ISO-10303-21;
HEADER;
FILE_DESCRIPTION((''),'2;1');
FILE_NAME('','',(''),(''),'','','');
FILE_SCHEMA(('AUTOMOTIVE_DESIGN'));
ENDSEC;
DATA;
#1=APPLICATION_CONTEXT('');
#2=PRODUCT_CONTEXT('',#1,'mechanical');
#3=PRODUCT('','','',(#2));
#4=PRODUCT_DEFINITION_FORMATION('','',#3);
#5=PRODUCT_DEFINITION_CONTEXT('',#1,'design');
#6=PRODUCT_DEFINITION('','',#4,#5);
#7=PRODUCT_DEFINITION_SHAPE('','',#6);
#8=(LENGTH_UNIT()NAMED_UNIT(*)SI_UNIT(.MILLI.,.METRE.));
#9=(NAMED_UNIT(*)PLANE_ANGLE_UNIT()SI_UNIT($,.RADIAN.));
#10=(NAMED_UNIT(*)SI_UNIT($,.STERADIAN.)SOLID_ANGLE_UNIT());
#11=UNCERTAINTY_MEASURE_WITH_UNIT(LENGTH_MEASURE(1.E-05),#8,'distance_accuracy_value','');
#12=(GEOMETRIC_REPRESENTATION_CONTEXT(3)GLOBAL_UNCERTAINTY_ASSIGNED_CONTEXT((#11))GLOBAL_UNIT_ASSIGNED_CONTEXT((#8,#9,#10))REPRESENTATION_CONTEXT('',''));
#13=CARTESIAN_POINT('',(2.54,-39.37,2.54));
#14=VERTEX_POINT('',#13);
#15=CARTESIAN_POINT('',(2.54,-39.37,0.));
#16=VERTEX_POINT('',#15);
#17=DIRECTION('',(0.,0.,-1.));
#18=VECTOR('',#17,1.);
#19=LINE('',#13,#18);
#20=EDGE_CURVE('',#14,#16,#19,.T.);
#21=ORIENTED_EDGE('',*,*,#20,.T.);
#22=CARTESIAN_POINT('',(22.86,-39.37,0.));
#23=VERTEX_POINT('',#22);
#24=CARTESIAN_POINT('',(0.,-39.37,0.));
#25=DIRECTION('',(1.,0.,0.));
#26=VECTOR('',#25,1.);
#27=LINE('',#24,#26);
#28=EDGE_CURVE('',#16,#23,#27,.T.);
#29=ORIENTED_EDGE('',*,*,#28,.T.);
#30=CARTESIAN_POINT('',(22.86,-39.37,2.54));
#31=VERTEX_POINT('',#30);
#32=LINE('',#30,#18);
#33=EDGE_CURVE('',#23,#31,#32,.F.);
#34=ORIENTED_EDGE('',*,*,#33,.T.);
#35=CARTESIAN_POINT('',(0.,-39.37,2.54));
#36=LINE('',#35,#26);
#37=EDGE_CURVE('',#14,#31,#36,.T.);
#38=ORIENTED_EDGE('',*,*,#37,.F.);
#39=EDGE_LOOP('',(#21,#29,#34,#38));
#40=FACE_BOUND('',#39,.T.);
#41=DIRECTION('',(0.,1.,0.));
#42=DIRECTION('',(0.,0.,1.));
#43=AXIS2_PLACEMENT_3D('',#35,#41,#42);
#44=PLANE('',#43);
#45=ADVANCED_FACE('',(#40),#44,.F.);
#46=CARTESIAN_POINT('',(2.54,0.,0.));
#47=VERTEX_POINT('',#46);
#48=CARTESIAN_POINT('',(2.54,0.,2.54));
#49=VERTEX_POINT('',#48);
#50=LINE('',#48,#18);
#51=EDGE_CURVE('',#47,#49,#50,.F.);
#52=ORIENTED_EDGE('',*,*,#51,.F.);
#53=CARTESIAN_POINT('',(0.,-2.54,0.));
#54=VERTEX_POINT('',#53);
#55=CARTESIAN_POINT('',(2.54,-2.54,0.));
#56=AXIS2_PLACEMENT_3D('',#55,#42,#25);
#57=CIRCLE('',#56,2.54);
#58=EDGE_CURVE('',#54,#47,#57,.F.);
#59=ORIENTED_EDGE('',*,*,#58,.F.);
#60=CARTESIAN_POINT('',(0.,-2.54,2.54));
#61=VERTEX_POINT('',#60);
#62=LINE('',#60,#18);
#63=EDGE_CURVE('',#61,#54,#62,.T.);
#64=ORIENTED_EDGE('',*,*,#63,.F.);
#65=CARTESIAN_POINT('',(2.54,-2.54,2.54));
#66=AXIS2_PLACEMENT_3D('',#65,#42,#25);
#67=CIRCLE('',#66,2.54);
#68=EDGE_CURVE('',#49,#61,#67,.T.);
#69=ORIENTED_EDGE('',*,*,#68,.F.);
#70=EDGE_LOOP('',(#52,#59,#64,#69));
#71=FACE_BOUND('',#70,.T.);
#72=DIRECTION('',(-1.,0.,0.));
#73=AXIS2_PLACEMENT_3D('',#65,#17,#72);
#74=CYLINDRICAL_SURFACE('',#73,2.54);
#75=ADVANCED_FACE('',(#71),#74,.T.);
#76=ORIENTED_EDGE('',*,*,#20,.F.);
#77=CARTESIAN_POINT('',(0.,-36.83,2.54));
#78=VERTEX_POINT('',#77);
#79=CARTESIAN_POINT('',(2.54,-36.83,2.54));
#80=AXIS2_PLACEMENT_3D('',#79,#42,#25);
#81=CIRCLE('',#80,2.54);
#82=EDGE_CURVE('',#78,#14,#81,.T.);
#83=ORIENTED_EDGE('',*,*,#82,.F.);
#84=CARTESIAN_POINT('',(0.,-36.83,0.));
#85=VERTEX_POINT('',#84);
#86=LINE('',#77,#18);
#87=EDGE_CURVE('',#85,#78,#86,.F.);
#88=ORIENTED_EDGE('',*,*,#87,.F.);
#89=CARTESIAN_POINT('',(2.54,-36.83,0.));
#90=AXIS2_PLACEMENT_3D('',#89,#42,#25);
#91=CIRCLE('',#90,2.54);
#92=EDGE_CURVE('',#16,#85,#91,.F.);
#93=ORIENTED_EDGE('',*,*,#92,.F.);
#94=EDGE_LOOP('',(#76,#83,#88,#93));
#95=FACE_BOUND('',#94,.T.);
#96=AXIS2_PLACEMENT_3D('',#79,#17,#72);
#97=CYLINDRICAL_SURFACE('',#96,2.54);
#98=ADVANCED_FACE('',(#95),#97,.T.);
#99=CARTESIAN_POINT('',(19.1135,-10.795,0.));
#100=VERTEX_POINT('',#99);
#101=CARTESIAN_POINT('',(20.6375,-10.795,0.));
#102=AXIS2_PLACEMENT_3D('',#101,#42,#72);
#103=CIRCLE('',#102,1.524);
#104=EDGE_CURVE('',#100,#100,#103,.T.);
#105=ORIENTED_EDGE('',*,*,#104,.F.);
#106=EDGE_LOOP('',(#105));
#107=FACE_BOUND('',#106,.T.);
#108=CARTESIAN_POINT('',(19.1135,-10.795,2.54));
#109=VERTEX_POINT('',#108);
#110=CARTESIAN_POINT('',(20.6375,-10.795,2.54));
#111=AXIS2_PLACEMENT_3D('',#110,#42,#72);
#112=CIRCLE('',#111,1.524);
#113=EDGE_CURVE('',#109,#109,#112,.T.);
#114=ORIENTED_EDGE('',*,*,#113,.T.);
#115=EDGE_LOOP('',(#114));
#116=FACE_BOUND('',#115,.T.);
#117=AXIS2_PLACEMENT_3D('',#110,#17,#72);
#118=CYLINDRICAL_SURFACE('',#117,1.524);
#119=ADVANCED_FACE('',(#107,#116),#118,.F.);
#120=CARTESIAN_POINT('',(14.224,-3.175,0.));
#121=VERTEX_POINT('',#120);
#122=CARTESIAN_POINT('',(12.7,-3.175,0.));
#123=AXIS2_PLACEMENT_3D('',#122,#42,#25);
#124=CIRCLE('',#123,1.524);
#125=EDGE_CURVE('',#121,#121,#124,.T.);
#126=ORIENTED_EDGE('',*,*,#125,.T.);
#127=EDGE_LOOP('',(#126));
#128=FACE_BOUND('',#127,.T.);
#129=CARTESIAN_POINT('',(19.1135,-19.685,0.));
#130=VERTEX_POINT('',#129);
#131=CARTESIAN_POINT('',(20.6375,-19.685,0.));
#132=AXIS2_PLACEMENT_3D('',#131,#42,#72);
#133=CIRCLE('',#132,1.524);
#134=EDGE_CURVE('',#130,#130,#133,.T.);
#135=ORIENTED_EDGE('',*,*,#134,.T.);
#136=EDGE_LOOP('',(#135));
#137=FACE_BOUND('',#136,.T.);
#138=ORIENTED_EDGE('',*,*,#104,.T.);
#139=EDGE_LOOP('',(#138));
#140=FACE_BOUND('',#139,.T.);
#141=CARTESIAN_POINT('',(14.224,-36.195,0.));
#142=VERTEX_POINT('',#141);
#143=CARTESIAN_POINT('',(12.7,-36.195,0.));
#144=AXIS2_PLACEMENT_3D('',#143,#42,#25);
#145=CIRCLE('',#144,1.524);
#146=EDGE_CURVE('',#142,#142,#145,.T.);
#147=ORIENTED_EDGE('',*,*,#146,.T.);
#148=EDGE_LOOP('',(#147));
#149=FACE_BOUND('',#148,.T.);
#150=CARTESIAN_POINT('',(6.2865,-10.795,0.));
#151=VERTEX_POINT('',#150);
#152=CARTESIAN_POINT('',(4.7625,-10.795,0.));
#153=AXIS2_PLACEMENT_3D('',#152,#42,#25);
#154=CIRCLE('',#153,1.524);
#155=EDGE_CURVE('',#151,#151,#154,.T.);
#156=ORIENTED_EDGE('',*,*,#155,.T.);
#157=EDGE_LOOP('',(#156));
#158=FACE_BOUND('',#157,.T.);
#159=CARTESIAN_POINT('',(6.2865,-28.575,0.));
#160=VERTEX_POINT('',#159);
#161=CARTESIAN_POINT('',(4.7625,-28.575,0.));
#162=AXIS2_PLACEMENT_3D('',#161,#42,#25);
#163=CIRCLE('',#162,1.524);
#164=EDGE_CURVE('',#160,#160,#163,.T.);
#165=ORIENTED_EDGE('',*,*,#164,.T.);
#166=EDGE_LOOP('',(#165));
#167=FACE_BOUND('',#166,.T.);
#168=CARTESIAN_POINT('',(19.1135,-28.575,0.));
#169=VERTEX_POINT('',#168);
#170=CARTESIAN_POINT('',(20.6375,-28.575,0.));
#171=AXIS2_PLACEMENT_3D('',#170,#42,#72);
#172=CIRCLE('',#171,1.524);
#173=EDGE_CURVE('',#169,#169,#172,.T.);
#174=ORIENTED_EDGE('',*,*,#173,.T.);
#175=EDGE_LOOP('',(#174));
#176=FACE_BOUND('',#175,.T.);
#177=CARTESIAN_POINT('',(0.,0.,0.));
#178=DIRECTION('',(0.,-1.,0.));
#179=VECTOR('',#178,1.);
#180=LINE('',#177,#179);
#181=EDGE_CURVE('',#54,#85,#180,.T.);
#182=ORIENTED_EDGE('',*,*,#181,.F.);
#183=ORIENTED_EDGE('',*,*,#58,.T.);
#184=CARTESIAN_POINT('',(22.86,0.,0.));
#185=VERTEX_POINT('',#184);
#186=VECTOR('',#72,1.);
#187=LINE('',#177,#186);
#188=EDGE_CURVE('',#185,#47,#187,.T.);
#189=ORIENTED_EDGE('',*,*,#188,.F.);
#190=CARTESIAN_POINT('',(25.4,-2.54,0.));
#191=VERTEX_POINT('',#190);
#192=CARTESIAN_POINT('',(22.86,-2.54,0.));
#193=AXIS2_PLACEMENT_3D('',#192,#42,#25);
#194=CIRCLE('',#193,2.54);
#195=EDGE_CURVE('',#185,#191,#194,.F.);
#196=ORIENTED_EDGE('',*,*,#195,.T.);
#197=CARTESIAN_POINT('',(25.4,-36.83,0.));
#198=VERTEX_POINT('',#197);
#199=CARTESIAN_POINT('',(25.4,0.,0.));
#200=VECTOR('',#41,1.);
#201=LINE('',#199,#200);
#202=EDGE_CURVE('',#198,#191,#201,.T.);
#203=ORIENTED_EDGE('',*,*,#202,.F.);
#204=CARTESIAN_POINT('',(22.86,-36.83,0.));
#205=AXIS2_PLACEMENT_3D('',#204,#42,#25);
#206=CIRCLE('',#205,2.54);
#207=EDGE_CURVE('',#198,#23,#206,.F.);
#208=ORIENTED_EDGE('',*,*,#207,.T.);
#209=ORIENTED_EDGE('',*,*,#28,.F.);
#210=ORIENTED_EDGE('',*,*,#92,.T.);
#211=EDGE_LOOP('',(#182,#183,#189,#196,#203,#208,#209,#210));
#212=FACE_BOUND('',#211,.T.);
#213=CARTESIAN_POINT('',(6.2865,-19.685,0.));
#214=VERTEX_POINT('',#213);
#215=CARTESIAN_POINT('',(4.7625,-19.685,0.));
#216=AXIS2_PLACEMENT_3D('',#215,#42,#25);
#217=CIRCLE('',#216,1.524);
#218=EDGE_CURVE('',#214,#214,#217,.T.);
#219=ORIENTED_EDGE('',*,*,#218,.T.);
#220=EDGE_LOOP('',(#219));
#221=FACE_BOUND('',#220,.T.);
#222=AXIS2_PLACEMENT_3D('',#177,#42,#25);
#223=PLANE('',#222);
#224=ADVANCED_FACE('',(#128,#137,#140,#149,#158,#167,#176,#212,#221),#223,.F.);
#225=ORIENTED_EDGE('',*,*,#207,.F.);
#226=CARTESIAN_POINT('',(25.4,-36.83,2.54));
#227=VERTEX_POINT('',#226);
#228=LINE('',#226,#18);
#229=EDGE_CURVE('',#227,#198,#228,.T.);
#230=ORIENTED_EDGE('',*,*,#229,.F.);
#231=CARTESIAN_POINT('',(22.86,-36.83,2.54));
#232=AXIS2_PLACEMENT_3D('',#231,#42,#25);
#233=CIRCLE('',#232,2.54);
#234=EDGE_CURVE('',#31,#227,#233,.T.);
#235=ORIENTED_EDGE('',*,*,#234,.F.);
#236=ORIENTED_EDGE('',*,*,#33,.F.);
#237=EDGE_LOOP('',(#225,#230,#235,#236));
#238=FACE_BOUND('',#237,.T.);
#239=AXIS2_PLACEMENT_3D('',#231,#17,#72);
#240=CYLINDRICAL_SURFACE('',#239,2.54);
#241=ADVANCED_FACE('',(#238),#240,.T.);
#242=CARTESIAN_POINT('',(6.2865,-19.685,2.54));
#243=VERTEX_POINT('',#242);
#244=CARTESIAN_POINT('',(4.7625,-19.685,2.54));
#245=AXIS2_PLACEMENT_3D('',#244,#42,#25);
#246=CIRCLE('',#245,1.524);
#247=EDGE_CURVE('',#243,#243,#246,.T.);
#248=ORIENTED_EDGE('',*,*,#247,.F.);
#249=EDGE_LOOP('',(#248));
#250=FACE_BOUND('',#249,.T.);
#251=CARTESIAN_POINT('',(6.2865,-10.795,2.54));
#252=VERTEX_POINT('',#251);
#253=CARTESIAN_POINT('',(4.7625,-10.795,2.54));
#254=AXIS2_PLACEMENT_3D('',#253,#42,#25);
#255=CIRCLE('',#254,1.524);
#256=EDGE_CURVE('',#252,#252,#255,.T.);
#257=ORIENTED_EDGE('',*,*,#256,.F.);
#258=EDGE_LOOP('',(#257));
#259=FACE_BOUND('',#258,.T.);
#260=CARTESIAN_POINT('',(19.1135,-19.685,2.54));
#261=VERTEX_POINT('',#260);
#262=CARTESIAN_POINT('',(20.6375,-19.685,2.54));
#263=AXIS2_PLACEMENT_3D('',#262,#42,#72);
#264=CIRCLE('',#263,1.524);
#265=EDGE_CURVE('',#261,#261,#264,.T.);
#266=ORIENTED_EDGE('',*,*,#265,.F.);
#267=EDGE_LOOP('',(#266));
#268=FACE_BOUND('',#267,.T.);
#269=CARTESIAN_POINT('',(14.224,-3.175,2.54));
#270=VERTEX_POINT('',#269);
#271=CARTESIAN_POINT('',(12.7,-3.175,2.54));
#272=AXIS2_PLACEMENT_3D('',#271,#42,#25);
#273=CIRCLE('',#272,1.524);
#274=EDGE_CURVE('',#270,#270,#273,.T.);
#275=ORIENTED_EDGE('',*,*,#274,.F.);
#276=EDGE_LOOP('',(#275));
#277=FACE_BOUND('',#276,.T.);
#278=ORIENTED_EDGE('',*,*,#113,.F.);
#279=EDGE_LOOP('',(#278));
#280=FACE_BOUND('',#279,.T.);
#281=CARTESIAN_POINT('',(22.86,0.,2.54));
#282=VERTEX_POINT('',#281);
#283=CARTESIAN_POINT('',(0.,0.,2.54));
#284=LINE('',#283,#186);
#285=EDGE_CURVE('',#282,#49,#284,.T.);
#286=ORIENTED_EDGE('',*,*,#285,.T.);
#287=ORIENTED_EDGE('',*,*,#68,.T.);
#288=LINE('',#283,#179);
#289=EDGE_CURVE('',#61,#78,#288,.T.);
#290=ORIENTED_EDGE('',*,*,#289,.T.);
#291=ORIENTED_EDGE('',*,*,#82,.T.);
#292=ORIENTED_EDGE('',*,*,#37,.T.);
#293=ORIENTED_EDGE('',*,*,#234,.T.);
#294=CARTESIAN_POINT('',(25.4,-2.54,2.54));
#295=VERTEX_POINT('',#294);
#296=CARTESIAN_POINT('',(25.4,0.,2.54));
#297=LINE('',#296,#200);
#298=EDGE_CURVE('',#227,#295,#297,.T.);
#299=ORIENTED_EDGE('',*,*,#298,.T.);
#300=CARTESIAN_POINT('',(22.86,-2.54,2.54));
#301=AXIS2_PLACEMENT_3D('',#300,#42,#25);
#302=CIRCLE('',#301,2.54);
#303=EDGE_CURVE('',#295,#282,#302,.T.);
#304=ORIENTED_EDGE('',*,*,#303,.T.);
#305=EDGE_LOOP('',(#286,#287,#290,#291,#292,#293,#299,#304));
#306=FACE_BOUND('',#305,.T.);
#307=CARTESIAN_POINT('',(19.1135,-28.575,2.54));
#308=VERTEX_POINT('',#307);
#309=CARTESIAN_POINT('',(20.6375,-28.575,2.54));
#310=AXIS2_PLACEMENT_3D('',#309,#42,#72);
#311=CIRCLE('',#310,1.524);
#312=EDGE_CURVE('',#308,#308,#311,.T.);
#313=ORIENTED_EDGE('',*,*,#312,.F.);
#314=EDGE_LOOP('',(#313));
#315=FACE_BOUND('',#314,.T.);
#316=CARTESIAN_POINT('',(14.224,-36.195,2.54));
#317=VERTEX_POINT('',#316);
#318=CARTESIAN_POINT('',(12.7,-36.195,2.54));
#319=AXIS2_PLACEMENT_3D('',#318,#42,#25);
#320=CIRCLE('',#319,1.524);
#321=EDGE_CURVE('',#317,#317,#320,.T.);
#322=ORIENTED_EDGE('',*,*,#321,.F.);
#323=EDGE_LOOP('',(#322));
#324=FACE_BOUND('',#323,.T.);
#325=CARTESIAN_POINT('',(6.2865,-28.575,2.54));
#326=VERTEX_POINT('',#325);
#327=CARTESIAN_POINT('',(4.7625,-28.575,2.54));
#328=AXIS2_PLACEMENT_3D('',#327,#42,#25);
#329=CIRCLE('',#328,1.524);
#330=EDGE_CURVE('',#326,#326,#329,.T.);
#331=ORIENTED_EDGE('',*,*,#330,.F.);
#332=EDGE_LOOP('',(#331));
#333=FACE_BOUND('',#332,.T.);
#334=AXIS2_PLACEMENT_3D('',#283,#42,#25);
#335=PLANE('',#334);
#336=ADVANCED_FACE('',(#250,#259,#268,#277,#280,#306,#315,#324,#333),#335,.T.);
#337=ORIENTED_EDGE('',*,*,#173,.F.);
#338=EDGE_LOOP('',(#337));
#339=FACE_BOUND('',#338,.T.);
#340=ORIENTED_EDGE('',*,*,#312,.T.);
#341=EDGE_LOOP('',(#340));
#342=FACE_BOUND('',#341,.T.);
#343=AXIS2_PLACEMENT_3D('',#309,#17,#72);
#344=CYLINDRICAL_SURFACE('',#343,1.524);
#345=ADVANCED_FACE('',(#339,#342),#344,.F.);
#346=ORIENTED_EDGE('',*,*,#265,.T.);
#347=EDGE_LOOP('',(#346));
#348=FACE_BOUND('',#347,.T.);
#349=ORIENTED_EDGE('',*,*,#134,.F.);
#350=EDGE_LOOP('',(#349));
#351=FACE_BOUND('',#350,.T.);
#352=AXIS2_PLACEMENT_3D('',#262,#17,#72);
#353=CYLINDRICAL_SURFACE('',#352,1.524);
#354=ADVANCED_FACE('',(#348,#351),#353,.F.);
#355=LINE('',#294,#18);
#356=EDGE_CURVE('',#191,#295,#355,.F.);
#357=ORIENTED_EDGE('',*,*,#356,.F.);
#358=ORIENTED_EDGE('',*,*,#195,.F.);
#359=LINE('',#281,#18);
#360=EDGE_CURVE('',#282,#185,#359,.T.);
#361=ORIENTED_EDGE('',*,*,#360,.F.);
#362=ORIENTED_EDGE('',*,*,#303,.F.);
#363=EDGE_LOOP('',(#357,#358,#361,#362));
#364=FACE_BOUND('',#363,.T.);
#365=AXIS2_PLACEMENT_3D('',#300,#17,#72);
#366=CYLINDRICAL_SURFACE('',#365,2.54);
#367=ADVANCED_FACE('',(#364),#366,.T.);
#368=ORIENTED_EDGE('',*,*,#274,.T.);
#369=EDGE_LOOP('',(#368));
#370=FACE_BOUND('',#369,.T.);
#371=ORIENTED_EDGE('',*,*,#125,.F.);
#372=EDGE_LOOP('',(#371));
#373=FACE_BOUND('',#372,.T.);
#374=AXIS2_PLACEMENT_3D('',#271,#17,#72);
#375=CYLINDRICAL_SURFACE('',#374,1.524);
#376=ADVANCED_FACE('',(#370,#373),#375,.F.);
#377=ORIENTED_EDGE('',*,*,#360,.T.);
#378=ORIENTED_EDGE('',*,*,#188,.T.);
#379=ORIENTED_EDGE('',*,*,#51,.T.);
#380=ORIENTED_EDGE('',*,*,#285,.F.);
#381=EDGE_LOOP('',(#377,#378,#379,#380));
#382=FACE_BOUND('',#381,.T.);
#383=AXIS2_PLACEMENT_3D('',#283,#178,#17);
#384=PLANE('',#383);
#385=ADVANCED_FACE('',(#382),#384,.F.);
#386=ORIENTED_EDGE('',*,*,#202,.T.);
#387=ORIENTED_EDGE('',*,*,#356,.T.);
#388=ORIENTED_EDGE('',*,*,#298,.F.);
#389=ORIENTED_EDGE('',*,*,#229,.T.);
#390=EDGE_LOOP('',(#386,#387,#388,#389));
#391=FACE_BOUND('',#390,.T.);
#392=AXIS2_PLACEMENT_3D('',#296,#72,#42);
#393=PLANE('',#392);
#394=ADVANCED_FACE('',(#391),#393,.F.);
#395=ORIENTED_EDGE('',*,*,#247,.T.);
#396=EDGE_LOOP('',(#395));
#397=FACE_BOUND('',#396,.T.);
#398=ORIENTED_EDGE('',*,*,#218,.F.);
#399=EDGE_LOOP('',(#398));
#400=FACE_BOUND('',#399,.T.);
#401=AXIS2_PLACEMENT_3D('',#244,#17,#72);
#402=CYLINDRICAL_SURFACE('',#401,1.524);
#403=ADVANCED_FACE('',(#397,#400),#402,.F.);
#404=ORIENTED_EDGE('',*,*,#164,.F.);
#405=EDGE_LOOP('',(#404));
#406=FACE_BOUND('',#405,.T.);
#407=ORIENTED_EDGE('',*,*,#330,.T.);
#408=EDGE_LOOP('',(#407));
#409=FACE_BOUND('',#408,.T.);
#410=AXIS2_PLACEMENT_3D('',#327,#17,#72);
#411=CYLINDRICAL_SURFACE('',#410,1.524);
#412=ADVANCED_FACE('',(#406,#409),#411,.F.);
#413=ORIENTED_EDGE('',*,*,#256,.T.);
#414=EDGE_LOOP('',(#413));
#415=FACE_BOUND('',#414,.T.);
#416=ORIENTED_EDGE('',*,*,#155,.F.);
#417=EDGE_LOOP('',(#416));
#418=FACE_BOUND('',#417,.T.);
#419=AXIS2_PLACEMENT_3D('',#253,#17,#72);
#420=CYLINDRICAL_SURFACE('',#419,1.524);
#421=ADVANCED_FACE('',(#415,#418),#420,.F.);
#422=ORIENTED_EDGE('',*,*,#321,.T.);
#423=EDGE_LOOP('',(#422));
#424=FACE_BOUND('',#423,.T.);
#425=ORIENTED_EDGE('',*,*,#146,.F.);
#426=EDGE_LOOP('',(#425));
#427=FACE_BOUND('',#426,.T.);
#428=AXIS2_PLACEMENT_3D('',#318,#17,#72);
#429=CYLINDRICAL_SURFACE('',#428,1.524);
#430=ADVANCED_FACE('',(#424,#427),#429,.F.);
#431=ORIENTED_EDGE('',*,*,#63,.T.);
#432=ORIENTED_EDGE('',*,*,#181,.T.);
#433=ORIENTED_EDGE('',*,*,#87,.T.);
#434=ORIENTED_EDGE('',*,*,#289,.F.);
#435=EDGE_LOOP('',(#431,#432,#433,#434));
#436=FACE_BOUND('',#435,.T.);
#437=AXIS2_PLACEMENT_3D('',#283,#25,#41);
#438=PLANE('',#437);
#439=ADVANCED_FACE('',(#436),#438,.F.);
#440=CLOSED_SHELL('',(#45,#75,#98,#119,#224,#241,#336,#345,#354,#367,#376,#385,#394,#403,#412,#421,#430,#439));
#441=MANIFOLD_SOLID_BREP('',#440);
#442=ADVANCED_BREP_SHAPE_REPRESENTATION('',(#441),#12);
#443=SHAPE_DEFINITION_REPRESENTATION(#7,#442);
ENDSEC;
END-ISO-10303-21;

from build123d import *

# Parameters (mm, degrees)
SKETCH1_W           = 25.4
SKETCH1_H           = 39.37
SKETCH1_R           = 1.524
BOSS_EXTRUDE1_DEPTH = 2.54
FILLET1_R           = 2.54


with BuildPart() as part:
    # Sketch1 → Boss-Extrude1 (new body)
    with BuildSketch(Plane.XY):
        with Locations((12.7, -19.685)):
            Rectangle(SKETCH1_W, SKETCH1_H)
        with Locations((4.7625, -19.685)):
            Circle(SKETCH1_R, mode=Mode.SUBTRACT)
        with Locations((20.6375, -19.685)):
            Circle(SKETCH1_R, mode=Mode.SUBTRACT)
        with Locations((4.7625, -10.795)):
            Circle(SKETCH1_R, mode=Mode.SUBTRACT)
        with Locations((20.6375, -10.795)):
            Circle(SKETCH1_R, mode=Mode.SUBTRACT)
        with Locations((4.7625, -28.575)):
            Circle(SKETCH1_R, mode=Mode.SUBTRACT)
        with Locations((20.6375, -28.575)):
            Circle(SKETCH1_R, mode=Mode.SUBTRACT)
        with Locations((12.7, -3.175)):
            Circle(SKETCH1_R, mode=Mode.SUBTRACT)
        with Locations((12.7, -36.195)):
            Circle(SKETCH1_R, mode=Mode.SUBTRACT)
    extrude(amount=BOSS_EXTRUDE1_DEPTH)

    # Fillet1
    fillet1_edges = [part.edges().sort_by_distance(p)[0] for p in [
        (0, 0, 1.27),
        (25.4, 0, 1.27),
        (25.4, -39.37, 1.27),
        (0, -39.37, 1.27),
    ]]
    fillet(fillet1_edges, radius=FILLET1_R)


solid = part.part
